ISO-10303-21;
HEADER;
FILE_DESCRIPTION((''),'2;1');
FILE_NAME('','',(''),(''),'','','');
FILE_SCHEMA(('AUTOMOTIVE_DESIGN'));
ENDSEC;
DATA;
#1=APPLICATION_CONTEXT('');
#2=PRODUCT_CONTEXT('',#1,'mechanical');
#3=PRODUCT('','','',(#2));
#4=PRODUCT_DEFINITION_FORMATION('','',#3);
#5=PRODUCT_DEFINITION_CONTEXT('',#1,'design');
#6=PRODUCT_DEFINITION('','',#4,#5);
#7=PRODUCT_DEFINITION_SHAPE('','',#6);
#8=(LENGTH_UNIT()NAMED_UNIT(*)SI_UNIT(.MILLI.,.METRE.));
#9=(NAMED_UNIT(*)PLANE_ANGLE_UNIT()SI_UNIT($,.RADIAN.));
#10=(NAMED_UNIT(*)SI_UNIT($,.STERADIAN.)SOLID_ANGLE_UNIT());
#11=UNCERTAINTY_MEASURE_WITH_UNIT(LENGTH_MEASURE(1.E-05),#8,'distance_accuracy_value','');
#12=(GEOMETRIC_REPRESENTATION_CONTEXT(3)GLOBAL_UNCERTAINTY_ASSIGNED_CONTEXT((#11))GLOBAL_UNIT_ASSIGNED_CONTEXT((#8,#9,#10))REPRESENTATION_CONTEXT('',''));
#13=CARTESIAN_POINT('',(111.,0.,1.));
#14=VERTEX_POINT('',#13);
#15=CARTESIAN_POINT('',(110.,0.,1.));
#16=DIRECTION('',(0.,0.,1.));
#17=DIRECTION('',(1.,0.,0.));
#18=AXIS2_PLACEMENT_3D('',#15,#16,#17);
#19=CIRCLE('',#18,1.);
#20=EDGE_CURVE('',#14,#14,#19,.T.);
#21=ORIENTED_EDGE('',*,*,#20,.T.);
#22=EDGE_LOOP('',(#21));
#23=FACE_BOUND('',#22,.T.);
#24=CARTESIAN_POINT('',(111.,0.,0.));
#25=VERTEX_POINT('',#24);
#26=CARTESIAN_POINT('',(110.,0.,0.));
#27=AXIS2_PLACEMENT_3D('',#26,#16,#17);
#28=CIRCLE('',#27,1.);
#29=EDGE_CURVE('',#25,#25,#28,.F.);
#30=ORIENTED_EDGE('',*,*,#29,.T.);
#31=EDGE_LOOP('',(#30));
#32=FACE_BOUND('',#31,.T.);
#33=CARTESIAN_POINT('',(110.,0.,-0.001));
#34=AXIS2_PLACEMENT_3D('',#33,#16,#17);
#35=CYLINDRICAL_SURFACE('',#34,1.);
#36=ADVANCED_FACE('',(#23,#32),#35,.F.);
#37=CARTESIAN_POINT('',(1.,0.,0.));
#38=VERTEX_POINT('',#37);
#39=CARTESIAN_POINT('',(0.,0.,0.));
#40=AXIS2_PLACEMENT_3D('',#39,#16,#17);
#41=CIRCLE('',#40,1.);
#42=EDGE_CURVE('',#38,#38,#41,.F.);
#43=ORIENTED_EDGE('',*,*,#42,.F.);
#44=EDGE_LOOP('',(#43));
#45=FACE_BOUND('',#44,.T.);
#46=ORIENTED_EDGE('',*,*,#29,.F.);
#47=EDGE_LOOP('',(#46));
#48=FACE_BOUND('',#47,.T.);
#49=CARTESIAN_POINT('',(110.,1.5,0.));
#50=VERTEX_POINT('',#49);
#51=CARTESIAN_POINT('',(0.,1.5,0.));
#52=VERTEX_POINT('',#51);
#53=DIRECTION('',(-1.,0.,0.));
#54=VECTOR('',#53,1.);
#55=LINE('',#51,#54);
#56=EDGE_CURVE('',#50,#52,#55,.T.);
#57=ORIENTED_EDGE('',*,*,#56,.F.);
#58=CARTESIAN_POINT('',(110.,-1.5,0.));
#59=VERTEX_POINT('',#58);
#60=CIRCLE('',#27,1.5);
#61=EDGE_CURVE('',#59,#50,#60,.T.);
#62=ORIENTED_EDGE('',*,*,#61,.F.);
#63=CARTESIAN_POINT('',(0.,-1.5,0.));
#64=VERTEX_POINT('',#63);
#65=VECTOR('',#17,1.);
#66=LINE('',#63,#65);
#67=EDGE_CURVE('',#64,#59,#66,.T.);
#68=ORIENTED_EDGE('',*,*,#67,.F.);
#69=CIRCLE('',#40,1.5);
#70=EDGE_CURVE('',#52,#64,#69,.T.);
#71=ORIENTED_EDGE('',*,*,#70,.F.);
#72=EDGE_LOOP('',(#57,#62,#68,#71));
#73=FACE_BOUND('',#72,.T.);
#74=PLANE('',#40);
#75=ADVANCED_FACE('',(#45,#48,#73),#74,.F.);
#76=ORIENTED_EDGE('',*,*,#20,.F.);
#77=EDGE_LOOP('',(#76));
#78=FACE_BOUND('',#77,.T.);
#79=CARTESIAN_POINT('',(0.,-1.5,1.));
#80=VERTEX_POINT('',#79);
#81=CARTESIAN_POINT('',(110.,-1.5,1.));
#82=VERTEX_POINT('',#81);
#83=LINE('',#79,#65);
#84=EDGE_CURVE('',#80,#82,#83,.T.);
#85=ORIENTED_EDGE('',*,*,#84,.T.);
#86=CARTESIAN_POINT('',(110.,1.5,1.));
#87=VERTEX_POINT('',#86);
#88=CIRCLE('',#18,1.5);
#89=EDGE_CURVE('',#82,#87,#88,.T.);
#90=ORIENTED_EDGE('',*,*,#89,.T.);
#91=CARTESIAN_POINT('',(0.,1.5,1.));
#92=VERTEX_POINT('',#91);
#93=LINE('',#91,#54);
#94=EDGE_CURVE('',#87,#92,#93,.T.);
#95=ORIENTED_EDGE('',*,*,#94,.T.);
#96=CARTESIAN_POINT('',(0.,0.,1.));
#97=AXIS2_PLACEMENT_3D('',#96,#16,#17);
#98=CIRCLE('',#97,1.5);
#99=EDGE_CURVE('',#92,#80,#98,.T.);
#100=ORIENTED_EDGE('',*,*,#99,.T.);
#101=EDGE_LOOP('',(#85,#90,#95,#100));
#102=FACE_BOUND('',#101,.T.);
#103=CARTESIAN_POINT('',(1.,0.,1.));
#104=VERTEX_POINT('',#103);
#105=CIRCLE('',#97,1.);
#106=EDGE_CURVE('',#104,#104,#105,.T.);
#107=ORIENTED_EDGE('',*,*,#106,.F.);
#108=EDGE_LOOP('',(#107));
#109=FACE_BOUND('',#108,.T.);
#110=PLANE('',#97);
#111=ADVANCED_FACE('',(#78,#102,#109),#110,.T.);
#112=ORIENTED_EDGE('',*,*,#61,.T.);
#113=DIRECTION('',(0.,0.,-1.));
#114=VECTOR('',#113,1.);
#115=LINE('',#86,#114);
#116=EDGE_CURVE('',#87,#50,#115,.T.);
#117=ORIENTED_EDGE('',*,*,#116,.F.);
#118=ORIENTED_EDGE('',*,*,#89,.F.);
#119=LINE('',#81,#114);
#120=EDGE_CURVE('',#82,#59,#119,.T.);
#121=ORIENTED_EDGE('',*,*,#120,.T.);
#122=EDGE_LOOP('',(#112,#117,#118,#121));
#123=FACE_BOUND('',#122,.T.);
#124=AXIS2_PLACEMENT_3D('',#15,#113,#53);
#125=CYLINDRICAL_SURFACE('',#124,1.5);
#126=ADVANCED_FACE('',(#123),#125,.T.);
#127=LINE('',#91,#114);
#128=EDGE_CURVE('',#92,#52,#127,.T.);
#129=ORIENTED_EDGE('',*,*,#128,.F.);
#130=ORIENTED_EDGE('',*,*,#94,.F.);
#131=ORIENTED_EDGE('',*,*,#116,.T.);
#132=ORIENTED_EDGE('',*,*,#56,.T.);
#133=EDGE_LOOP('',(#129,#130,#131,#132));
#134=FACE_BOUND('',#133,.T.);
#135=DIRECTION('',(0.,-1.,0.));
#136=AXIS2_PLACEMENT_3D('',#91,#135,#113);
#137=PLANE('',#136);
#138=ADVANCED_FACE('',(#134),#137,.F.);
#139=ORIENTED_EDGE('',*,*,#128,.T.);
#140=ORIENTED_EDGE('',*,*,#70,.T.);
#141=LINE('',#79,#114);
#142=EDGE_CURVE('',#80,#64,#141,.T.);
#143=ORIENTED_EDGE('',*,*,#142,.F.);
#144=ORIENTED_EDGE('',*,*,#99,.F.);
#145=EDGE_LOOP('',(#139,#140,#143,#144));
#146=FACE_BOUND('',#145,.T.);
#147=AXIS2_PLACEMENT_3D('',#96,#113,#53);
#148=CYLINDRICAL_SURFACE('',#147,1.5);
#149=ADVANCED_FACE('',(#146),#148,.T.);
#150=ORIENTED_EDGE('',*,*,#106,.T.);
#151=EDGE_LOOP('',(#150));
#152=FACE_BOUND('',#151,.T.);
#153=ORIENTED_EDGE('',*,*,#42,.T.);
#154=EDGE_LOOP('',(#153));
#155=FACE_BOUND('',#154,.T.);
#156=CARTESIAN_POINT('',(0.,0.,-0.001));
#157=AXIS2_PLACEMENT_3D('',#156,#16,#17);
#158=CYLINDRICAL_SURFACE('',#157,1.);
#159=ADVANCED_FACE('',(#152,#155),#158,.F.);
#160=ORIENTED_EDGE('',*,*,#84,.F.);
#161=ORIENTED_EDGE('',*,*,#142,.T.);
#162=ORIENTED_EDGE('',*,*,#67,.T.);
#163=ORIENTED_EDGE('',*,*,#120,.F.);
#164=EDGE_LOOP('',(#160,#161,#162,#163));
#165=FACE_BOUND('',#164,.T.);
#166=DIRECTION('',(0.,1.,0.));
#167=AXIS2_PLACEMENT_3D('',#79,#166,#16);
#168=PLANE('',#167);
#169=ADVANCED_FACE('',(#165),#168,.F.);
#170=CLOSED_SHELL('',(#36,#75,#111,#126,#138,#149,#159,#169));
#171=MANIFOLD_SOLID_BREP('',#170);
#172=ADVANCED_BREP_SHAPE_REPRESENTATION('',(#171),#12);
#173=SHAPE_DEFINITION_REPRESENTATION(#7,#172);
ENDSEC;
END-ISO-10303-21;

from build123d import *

# Parameters (mm, degrees)
BOSS_EXTRUDE1_DEPTH = 1
CUT_EXTRUDE2_REACH  = 113.515
SKETCH2_R           = 1


with BuildPart() as part:
    # Sketch1 → Boss-Extrude1 (new body)
    with BuildSketch(Plane.XY):
        with BuildLine():
            Line((0, 1.5), (110, 1.5))
            ThreePointArc((110, 1.5), (111.5, 0), (110, -1.5))
            Line((110, -1.5), (0, -1.5))
            ThreePointArc((0, -1.5), (-1.5, 0), (0, 1.5))
        make_face()
    extrude(amount=BOSS_EXTRUDE1_DEPTH)

    # Sketch2 → Cut-Extrude2 (cut, up to next)
    with BuildSketch(Plane.XY.offset(1), mode=Mode.PRIVATE) as cut_extrude2_sk1:
        Circle(SKETCH2_R)
    cut_extrude2_tool1 = extrude(cut_extrude2_sk1.sketch, amount=-CUT_EXTRUDE2_REACH, mode=Mode.PRIVATE) & part.part
    # Sketch2 → Cut-Extrude2 (cut, up to next)
    with BuildSketch(Plane.XY.offset(1), mode=Mode.PRIVATE) as cut_extrude2_sk2:
        with Locations((110, 0)):
            Circle(SKETCH2_R)
    cut_extrude2_tool2 = extrude(cut_extrude2_sk2.sketch, amount=-CUT_EXTRUDE2_REACH, mode=Mode.PRIVATE) & part.part
    add(cut_extrude2_tool1.solids().sort_by_distance((0, 0, 1))[0], mode=Mode.SUBTRACT)
    add(cut_extrude2_tool2.solids().sort_by_distance((110, 0, 1))[0], mode=Mode.SUBTRACT)


solid = part.part
